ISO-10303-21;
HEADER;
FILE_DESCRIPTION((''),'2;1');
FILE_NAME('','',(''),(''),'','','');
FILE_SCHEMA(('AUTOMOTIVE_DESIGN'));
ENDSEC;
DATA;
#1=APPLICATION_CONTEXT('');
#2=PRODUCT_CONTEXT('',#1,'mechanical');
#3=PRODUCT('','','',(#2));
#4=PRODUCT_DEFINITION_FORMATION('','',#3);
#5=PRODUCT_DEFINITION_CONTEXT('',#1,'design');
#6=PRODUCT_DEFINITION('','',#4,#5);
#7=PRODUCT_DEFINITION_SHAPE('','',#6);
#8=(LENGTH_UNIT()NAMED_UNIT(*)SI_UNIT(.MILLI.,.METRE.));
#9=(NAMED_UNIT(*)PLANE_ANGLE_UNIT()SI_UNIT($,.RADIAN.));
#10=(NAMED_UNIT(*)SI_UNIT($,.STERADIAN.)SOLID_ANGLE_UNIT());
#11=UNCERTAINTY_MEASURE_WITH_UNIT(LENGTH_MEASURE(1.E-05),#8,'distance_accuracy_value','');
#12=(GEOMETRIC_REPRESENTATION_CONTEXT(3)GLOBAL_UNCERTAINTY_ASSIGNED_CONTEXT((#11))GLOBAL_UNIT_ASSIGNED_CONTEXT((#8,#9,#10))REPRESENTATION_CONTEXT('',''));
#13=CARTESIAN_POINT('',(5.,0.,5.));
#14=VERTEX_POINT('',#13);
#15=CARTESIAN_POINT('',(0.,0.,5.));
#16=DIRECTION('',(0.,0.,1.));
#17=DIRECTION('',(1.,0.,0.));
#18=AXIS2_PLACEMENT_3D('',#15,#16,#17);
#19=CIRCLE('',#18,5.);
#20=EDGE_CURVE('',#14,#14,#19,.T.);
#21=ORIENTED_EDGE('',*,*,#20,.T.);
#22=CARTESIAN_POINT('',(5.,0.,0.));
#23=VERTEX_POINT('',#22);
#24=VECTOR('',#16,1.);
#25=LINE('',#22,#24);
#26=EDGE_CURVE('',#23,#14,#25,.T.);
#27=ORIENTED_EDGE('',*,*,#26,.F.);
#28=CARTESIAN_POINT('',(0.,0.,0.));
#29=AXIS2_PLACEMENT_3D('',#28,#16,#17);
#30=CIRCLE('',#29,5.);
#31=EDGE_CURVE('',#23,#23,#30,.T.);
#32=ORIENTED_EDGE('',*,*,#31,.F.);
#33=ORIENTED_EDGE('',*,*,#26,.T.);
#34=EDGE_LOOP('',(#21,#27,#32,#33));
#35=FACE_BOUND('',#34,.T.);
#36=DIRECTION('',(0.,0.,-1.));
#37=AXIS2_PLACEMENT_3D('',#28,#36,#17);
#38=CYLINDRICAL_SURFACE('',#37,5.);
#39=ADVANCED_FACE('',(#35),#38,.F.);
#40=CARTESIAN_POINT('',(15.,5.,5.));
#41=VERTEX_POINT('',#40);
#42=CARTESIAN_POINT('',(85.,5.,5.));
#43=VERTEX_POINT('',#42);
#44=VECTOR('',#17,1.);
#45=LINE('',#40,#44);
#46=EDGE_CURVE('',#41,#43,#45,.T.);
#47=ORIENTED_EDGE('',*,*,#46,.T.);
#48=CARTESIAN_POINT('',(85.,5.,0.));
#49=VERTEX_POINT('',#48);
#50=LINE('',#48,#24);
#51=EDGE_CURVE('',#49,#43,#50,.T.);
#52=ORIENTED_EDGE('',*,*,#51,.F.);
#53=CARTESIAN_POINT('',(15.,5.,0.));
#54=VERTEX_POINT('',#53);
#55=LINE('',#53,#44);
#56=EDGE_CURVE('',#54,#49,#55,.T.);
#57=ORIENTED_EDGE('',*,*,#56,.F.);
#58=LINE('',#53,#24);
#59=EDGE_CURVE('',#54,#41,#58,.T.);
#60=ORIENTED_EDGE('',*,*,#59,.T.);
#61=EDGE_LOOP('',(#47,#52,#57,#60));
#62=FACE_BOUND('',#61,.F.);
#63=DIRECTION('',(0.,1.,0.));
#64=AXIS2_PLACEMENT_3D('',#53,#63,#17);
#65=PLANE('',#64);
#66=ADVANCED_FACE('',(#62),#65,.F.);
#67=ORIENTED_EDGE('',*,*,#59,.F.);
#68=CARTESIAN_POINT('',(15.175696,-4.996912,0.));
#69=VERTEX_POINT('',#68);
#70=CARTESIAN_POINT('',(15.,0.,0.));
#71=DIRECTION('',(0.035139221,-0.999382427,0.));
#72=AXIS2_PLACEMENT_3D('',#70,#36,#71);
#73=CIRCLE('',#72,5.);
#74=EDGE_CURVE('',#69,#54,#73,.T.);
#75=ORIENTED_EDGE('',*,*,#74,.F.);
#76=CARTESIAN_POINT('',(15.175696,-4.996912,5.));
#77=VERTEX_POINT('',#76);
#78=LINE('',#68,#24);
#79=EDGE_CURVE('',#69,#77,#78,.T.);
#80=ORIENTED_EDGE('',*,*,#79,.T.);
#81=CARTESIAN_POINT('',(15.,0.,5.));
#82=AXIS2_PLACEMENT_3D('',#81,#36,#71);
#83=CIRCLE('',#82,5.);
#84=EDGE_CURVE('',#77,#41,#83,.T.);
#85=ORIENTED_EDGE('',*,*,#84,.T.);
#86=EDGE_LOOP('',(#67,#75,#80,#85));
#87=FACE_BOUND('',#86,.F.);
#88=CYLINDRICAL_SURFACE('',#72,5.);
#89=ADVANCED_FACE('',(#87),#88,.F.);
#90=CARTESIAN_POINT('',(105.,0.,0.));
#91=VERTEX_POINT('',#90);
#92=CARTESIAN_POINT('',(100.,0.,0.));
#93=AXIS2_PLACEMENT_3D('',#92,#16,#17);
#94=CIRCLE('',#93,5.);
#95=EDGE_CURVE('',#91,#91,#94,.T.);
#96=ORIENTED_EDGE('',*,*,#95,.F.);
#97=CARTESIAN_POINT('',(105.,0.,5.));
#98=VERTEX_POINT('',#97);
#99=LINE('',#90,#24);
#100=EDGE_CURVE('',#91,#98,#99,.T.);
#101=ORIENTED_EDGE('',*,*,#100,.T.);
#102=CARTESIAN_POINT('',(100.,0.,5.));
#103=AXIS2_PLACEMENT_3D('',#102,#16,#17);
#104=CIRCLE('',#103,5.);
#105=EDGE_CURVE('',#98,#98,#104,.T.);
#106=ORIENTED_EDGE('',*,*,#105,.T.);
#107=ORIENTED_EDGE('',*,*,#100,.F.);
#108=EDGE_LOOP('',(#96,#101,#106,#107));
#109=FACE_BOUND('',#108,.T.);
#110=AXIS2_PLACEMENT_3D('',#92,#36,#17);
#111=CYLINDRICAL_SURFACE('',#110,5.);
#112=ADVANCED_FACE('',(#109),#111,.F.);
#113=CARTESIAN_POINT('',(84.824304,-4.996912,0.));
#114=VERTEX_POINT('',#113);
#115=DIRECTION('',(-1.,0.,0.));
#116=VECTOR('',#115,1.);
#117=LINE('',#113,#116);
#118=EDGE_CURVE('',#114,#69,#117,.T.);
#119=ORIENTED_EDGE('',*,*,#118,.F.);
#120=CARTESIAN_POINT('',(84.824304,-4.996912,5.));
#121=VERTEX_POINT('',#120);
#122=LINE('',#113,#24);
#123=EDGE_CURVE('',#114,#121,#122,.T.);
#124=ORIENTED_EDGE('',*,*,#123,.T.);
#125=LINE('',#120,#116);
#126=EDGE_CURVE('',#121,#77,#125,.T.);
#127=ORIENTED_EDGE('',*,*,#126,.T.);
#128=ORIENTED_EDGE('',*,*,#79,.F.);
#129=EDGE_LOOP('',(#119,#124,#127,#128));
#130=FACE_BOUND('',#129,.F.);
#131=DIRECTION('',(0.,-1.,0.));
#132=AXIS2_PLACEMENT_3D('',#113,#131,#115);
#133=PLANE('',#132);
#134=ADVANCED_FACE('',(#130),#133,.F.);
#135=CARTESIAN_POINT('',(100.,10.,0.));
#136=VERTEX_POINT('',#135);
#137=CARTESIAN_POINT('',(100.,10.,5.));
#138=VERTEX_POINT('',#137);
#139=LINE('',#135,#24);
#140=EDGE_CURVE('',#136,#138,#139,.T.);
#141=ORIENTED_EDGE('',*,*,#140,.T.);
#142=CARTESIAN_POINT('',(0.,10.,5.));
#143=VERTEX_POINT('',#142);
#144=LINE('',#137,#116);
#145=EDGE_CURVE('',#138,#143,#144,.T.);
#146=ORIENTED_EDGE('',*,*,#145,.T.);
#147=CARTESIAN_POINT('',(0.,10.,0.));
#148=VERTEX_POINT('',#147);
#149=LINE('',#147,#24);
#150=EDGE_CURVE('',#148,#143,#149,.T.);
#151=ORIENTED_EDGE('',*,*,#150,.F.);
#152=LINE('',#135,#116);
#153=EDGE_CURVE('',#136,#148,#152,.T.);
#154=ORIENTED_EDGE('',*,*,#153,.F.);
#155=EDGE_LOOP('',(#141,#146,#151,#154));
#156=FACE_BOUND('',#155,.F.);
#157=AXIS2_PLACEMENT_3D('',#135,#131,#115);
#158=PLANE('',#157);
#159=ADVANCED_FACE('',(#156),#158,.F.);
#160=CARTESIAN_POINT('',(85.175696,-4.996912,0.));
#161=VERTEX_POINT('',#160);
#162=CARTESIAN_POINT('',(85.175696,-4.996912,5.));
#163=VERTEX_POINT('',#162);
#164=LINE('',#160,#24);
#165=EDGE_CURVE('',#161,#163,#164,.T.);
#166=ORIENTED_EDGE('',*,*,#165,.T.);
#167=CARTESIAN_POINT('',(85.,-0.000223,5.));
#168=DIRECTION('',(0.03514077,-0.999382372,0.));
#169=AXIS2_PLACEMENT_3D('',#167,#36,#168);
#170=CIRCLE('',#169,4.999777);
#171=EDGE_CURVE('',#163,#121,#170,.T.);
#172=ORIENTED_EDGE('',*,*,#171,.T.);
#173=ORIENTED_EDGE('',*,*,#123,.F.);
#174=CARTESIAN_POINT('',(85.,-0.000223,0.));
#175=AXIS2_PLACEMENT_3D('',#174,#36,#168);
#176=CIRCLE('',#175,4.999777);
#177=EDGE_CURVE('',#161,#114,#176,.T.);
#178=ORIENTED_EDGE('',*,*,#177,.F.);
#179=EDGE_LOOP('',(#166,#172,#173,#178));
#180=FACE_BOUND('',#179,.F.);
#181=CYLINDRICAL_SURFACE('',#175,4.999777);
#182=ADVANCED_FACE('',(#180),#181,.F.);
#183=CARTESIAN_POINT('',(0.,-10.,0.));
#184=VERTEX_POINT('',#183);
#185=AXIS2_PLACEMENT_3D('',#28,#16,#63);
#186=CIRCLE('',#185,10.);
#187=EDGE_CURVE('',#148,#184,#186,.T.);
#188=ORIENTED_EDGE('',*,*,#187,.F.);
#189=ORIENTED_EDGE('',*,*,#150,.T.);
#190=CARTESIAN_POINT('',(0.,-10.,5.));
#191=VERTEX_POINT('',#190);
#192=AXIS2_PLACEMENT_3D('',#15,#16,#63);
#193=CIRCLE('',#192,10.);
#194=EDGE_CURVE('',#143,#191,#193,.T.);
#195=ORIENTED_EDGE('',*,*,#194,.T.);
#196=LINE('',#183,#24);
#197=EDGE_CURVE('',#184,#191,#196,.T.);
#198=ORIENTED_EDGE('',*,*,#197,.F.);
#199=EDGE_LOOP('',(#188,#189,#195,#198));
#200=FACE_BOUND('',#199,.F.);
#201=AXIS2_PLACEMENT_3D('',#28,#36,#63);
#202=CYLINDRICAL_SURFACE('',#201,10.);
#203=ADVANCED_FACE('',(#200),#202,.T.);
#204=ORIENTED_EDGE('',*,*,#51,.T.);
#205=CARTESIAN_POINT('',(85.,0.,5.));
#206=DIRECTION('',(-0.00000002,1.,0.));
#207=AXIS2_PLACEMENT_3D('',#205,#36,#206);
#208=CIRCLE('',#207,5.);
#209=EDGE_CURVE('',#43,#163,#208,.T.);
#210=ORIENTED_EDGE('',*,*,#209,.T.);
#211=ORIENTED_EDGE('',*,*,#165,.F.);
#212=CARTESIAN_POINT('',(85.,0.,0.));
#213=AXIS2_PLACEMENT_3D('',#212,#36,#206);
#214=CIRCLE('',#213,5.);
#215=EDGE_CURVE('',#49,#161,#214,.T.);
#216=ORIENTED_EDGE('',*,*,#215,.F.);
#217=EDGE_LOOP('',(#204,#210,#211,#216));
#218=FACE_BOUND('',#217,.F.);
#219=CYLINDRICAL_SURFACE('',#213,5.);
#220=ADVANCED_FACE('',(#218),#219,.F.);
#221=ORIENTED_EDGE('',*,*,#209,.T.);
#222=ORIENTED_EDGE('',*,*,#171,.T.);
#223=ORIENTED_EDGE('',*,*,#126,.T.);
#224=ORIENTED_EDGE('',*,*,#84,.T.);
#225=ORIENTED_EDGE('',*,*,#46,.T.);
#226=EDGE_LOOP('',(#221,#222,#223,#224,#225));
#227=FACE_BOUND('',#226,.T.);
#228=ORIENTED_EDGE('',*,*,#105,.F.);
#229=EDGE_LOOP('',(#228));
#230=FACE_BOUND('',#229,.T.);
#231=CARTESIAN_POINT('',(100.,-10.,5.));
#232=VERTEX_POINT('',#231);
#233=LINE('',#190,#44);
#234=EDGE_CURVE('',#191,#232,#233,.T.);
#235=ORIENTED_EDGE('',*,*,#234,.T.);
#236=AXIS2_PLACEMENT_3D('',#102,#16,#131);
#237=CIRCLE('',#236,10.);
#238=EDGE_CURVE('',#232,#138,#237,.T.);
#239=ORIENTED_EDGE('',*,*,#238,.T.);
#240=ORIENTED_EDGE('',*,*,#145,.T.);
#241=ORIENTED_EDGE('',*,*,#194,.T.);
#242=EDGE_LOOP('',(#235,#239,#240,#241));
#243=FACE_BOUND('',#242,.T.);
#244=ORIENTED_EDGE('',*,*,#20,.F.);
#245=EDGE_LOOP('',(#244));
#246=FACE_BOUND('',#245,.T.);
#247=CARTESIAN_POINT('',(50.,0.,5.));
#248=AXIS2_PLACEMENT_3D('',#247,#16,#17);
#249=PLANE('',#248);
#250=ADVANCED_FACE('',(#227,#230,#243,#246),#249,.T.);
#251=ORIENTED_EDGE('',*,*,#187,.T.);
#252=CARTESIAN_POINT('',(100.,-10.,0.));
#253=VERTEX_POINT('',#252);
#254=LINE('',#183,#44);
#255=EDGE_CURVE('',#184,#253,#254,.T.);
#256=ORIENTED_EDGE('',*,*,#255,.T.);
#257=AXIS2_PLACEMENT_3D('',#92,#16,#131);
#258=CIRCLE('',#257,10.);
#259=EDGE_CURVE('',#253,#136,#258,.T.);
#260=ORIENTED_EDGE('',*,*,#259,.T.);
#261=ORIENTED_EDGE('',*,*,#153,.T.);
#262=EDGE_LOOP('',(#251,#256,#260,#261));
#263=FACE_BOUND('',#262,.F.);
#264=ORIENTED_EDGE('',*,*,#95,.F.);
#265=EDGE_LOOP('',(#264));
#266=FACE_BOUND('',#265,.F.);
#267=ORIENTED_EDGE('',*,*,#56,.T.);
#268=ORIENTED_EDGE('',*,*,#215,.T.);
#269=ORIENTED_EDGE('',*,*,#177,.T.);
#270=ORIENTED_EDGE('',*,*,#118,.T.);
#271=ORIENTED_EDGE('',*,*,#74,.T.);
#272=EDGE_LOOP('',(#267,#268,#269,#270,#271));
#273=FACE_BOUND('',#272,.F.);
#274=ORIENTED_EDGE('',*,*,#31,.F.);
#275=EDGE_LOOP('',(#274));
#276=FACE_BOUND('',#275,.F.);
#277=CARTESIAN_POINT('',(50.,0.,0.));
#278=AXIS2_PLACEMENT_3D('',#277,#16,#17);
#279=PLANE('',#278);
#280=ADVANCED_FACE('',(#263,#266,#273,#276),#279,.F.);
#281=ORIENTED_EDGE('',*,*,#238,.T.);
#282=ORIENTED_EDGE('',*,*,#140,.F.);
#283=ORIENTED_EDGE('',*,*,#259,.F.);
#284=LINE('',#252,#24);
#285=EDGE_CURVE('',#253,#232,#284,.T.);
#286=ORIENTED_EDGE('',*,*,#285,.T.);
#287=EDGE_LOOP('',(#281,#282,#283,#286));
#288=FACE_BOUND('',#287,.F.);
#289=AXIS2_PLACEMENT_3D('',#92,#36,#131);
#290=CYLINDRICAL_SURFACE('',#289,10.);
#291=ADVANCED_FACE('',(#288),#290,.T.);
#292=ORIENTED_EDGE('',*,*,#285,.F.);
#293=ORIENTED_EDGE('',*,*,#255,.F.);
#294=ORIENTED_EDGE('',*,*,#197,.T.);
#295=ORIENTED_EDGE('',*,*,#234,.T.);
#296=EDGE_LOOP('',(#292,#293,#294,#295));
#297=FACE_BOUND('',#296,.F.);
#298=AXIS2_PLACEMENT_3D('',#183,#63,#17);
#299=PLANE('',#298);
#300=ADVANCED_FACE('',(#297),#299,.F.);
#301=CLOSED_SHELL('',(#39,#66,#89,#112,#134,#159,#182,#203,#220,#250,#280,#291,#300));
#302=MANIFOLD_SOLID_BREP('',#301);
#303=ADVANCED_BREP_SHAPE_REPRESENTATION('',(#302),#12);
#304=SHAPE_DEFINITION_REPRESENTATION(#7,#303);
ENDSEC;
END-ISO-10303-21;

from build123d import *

# Parameters (mm, degrees)
F0_R     = 5
F1_DEPTH = 5


with BuildPart() as f1:
    # F0 (on Top) → F1 (new body)
    with BuildSketch(Plane.XY):
        with BuildLine():
            Line((100, 10), (0, 10))
            ThreePointArc((0, 10), (-10, 0), (0, -10))
            Line((0, -10), (100, -10))
            ThreePointArc((100, -10), (110, 0), (100, 10))
        make_face()
        Circle(F0_R, mode=Mode.SUBTRACT)
        with BuildLine():
            ThreePointArc((15.175696, -4.996912), (10.000772, -0.087862), (15, 5))
            Line((15, 5), (85, 5))
            ThreePointArc((85, 5), (89.999228, 0.087862), (85.175696, -4.996912))
            ThreePointArc((85.175696, -4.996912), (85, -5), (84.824304, -4.996912))
            Line((84.824304, -4.996912), (15.175696, -4.996912))
        make_face(mode=Mode.SUBTRACT)
        with Locations((100, 0)):
            Circle(F0_R, mode=Mode.SUBTRACT)
    extrude(amount=F1_DEPTH)


solid = f1.part
